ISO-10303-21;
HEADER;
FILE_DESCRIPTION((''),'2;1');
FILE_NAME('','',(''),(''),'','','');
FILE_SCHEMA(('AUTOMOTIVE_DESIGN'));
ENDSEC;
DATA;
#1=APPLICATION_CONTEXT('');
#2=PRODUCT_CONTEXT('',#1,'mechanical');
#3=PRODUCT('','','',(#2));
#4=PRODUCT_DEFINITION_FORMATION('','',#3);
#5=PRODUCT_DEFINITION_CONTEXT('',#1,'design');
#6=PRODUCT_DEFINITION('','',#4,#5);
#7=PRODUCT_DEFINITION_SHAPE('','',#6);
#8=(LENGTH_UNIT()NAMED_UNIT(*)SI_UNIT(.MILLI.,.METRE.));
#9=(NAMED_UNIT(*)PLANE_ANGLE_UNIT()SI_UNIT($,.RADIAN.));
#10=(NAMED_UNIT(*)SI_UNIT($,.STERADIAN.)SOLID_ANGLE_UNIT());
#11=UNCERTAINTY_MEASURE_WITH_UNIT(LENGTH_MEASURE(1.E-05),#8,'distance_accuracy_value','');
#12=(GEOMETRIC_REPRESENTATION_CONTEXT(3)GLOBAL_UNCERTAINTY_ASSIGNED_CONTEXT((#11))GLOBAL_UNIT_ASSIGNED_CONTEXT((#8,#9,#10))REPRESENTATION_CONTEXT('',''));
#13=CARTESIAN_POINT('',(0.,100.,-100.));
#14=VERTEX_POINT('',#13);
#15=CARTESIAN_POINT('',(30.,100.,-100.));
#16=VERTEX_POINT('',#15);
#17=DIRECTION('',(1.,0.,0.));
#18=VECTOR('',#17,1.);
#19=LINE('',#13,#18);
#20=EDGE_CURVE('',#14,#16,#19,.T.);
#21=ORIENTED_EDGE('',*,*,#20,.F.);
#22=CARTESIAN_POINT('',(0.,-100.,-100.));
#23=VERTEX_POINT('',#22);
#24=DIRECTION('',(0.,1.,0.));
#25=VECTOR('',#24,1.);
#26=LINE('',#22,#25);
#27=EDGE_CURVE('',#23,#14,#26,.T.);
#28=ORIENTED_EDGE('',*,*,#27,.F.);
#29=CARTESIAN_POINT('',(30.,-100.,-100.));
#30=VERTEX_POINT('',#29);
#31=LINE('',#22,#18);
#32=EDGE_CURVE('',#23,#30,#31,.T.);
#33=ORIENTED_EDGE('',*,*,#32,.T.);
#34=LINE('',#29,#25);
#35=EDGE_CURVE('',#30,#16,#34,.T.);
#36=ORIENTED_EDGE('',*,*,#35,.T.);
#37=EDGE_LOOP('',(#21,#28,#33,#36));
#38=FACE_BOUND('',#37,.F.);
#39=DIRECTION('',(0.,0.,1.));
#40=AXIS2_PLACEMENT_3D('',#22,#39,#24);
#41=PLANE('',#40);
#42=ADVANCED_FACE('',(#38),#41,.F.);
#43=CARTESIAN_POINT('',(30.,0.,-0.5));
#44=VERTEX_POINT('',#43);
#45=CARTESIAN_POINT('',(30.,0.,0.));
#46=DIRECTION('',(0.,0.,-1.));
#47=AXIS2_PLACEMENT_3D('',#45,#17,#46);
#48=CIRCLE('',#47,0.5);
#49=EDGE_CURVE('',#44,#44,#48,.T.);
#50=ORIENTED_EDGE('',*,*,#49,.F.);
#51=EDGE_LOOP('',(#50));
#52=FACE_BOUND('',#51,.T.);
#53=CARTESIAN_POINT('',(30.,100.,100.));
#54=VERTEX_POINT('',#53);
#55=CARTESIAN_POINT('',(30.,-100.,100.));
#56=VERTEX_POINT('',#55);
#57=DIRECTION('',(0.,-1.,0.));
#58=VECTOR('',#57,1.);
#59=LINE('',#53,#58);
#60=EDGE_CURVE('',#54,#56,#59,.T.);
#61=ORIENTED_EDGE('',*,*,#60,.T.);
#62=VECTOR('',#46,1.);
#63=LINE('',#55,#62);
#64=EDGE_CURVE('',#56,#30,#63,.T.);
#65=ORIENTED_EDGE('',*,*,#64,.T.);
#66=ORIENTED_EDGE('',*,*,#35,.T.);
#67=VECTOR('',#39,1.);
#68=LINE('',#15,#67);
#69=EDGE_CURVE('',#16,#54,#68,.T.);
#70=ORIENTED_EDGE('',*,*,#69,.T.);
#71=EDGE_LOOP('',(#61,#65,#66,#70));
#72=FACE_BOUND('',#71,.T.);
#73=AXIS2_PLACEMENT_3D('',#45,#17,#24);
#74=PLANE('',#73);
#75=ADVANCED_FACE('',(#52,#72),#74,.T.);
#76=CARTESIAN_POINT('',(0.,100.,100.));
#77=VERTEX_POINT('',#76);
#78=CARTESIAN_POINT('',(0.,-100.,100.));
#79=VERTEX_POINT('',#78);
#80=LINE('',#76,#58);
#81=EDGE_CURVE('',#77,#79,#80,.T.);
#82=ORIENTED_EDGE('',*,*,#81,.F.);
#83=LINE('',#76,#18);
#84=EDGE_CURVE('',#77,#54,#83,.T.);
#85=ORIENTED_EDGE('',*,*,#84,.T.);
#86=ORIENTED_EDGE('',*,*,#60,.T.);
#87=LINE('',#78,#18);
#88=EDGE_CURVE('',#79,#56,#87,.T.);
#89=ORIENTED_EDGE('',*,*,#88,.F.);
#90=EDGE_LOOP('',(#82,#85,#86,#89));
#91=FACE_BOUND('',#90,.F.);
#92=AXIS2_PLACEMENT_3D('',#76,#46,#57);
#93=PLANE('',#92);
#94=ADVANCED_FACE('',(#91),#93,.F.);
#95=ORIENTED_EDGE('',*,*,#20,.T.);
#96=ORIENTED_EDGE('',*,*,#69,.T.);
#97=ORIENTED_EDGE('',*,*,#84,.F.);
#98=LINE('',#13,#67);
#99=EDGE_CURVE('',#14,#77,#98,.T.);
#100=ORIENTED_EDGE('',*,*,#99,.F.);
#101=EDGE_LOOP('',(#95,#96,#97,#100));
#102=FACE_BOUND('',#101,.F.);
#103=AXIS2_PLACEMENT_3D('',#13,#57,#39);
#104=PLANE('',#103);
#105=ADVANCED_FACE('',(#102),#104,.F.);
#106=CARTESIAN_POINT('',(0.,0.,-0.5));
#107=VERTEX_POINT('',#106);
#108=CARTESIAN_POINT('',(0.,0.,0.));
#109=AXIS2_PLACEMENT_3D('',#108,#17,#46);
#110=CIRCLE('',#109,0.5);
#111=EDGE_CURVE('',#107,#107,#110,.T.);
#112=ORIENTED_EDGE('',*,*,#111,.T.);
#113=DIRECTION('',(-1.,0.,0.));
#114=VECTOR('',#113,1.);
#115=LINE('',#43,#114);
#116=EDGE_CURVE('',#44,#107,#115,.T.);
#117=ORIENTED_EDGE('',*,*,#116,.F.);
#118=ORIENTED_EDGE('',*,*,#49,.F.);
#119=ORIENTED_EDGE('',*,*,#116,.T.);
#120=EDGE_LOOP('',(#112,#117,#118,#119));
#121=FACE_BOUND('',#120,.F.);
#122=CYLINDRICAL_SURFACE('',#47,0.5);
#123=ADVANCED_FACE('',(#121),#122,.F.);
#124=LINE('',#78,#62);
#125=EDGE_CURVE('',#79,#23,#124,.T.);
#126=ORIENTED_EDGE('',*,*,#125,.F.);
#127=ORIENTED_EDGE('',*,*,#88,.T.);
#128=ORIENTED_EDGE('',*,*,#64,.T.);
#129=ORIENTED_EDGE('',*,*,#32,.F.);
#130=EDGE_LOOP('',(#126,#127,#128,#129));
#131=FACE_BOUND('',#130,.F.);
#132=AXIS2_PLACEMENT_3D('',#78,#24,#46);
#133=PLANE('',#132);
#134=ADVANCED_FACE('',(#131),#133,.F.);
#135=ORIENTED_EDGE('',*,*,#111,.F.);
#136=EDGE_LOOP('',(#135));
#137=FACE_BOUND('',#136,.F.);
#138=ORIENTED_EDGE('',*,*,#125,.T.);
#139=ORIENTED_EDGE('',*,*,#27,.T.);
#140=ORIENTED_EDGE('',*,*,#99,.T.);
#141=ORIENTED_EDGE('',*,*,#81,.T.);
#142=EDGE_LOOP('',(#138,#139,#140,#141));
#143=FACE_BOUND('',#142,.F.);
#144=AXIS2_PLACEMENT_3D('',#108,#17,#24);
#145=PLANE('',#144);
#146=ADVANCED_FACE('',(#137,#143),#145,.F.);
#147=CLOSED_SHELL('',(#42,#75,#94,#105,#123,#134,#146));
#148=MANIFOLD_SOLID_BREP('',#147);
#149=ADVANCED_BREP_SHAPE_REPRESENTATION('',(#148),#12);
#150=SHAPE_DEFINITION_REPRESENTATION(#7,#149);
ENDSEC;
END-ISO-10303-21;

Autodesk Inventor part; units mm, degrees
ref_plane "YZ Plane" through (0, 0, 0) normal (1, 0, 0) x (0, 1, 0)
ref_plane "XZ Plane" through (0, 0, 0) normal (0, 1, 0) x (-1, 0, 0)
ref_plane "XY Plane" through (0, 0, 0) normal (0, 0, 1) x (1, 0, 0)
sketch "草圖1" plane through (0, 0, 0) normal (1, 0, 0) x (0, 1, 0)
  line L0 (-100, -100) -> (100, -100)
  line L1 (100, -100) -> (100, 100)
  line L2 (100, 100) -> (-100, 100)
  line L3 (-100, 100) -> (-100, -100)
  line L4 (-100, -100) -> (100, 100) construction
  line L5 (100, -100) -> (-100, 100) construction
  point P0 (0, 0)
  dimension "d0" = 200
  dimension "d1" = 200
extrude "擠出1" add sketch "草圖1" along normal blind 30
sketch "草圖2" plane through (30, 0, 0) normal (1, 0, 0) x (0, 0, -1)
  circle A0 centre (0, 0) radius 0.5
  dimension "d4" = 1
extrude "擠出2" cut sketch "草圖2" against normal blind 30
properties part number "模擬底板" material "PAEK 塑膠"
